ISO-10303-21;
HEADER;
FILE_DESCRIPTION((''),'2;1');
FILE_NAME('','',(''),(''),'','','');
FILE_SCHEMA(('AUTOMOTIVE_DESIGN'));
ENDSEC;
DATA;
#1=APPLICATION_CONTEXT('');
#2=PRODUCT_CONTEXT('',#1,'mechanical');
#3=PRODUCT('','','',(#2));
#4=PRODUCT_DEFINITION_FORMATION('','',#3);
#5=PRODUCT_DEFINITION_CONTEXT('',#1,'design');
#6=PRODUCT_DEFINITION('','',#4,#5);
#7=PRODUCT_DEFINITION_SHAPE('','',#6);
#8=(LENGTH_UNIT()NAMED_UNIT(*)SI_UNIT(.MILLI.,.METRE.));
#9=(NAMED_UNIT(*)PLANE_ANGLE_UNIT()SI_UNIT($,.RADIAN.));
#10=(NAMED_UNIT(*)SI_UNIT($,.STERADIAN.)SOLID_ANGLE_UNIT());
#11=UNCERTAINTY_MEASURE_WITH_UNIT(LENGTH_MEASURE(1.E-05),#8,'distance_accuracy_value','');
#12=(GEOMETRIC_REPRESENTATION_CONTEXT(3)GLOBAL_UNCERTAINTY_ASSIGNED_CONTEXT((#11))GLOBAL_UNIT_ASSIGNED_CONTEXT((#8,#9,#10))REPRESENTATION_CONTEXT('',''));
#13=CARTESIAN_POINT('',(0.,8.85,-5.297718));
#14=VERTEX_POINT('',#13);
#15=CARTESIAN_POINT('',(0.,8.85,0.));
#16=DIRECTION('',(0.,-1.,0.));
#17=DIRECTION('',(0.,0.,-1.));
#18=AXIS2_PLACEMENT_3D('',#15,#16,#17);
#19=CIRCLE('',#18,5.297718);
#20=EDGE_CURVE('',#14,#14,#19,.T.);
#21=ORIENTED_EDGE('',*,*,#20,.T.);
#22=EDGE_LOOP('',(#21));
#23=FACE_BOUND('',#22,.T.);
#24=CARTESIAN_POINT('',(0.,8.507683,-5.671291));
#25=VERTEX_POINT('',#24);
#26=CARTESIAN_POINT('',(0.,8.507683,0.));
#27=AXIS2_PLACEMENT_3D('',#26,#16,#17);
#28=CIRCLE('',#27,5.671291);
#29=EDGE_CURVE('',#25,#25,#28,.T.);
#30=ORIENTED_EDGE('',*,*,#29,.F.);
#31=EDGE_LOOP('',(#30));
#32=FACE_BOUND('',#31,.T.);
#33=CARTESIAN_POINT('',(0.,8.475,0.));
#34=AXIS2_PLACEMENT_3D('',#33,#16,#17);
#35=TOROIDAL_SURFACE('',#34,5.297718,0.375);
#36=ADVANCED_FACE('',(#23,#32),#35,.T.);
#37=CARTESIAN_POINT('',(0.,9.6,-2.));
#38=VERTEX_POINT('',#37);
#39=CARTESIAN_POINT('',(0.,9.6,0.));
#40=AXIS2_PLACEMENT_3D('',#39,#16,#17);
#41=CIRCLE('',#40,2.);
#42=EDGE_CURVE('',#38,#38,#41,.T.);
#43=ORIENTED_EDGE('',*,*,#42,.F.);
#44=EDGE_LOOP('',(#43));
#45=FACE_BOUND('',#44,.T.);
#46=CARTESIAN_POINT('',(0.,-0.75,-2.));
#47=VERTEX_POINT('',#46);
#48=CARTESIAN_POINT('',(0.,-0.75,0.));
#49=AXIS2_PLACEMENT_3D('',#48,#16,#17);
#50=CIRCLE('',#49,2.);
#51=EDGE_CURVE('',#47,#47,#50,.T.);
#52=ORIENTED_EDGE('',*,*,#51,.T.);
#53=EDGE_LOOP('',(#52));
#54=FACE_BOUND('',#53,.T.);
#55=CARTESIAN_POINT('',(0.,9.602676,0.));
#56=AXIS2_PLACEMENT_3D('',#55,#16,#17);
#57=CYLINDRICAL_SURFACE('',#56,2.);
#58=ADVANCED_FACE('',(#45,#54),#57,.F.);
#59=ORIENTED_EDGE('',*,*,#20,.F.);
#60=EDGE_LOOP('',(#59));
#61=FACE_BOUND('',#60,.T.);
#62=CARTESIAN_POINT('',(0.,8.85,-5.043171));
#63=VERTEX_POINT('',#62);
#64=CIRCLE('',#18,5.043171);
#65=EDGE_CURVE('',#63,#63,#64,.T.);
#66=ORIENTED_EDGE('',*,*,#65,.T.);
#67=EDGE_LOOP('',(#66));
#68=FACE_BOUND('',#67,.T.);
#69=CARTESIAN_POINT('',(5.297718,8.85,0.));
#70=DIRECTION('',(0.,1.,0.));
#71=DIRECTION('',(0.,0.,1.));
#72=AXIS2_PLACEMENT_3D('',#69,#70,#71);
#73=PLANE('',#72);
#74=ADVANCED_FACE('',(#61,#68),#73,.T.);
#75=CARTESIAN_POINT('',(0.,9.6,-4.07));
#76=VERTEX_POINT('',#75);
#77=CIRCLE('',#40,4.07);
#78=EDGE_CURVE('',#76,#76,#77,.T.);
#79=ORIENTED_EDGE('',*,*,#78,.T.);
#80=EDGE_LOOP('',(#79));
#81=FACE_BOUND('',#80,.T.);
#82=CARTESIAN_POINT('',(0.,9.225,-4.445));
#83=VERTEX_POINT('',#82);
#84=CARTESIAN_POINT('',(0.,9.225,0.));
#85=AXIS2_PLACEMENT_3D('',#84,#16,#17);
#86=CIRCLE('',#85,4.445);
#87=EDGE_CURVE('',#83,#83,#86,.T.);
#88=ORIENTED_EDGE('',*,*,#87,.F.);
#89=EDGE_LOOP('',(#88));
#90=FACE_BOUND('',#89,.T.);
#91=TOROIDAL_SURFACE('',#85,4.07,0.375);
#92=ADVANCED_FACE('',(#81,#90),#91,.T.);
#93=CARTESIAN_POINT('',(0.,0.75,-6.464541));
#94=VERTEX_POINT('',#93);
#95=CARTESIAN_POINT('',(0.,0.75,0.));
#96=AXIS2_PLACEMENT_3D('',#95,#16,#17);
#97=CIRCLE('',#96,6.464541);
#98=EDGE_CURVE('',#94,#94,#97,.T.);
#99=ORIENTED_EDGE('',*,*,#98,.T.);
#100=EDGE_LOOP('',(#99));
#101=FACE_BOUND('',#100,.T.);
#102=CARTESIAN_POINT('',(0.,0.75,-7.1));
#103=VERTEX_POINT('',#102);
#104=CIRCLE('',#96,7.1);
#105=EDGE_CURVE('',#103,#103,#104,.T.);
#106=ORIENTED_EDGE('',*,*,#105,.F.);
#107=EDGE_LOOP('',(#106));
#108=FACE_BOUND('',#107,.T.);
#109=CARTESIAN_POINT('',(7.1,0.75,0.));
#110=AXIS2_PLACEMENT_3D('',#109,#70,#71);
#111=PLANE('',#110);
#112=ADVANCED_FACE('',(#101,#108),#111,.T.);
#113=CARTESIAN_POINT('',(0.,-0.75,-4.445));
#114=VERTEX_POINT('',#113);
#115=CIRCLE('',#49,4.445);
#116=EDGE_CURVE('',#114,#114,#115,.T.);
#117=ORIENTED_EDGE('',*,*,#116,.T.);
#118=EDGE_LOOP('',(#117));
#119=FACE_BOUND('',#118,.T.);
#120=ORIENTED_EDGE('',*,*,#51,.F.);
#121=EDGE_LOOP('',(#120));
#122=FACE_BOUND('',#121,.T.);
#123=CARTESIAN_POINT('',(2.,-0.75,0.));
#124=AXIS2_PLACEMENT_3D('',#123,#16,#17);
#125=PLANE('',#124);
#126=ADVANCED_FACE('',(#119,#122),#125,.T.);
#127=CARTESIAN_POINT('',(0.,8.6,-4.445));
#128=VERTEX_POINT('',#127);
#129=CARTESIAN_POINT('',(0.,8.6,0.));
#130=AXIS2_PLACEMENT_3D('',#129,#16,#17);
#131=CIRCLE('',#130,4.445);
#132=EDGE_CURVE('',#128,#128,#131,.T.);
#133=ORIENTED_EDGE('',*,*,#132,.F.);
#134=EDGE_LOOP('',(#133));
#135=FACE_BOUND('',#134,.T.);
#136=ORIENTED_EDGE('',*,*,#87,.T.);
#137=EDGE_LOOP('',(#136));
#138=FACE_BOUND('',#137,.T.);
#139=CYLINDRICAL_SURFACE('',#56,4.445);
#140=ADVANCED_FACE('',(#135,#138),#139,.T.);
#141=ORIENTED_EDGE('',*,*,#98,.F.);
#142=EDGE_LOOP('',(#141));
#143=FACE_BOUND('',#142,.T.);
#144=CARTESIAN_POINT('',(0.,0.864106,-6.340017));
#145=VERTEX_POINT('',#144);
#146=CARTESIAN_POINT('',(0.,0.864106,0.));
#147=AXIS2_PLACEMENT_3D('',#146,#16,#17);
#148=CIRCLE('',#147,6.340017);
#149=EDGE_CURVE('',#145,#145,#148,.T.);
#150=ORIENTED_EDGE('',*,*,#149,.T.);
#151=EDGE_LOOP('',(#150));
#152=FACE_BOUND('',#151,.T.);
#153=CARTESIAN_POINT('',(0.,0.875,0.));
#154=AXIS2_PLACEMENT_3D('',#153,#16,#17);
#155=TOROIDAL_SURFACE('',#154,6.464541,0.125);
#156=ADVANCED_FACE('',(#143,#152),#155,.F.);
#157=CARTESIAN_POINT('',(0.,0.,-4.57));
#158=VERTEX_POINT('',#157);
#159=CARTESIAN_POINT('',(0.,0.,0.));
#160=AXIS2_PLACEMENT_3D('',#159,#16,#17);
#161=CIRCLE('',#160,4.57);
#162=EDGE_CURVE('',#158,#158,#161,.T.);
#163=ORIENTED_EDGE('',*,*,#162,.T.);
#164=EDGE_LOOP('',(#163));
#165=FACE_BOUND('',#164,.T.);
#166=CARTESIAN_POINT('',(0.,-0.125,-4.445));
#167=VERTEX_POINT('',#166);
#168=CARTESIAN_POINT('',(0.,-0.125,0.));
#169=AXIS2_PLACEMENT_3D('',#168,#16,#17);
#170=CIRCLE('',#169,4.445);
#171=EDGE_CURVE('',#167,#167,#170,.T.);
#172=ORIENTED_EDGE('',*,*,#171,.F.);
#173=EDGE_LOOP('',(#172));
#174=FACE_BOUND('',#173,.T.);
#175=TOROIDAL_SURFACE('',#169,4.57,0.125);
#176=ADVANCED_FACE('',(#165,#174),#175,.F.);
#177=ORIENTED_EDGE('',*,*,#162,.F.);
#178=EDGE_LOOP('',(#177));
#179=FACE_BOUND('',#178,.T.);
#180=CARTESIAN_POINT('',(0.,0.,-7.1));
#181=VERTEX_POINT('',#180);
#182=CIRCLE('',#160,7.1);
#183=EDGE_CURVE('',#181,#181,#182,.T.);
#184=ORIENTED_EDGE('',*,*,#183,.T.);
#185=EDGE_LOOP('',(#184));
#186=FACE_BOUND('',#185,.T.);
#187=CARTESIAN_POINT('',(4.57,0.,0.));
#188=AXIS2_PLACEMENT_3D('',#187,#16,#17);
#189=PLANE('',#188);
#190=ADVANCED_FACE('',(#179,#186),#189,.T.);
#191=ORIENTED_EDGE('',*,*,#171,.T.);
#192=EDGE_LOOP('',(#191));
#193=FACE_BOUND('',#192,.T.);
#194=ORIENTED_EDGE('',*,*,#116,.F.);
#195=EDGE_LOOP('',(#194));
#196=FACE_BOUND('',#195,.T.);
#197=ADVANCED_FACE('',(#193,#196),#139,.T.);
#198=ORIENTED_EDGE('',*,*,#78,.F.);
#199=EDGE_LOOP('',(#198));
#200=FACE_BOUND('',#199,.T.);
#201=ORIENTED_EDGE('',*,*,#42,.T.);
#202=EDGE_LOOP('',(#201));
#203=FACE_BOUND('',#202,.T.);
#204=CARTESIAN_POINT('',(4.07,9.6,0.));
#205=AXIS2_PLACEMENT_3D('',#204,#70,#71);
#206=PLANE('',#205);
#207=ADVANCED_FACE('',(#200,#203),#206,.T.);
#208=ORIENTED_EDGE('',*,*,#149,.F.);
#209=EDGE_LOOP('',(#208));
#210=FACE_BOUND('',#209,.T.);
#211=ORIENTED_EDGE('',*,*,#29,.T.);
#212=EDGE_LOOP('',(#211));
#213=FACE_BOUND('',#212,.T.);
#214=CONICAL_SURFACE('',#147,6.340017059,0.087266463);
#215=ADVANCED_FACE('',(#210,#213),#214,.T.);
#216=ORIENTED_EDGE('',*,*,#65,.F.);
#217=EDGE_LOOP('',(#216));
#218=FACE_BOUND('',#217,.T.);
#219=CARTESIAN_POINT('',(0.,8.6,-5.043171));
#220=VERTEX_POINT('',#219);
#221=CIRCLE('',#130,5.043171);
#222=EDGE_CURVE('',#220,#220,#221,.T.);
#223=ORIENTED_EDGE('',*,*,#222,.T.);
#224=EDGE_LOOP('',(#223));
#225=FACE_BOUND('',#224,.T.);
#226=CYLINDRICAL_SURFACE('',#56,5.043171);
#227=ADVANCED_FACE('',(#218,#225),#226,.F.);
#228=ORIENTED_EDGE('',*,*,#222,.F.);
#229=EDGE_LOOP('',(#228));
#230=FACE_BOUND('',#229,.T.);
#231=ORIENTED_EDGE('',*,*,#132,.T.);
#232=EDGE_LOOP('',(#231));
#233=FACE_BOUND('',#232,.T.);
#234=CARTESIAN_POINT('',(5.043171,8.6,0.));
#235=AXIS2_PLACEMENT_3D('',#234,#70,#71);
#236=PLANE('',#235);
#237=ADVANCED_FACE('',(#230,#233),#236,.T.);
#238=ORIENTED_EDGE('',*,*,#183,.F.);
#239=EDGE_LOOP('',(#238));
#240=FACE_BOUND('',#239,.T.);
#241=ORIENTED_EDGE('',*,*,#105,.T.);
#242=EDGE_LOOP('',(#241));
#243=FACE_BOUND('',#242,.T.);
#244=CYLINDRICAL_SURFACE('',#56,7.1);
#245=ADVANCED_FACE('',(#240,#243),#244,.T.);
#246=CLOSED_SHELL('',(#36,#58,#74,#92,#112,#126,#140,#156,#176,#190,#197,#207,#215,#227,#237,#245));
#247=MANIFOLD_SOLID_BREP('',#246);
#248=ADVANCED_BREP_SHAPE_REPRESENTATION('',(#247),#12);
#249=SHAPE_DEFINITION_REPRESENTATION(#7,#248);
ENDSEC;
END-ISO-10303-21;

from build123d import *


with BuildPart() as part:
    # Sketch1 → Revolve1 (revolve)
    with BuildSketch(Plane.XY):
        with BuildLine():
            Line((4.07, 9.6), (2, 9.6))
            Line((2, 9.6), (2, -0.75))
            Line((2, -0.75), (4.445, -0.75))
            Line((4.445, -0.75), (4.445, -0.125))
            ThreePointArc((4.445, -0.125), (4.481611652, -0.036611652), (4.57, 0))
            Line((4.57, 0), (7.1, 0))
            Line((7.1, 0), (7.1, 0.75))
            Line((7.1, 0.75), (6.464541397, 0.75))
            ThreePointArc((6.464541397, 0.75), (6.380092621, 0.782840333), (6.340017059, 0.864105532))
            Line((6.340017059, 0.864105532), (5.671290647, 8.507683404))
            ThreePointArc((5.671290647, 8.507683404), (5.551063963, 8.751479001), (5.297717635, 8.85))
            Line((5.297717635, 8.85), (5.043170913, 8.85))
            Line((5.043170913, 8.85), (5.043170913, 8.6))
            Line((5.043170913, 8.6), (4.445, 8.6))
            Line((4.445, 8.6), (4.445, 9.225))
            ThreePointArc((4.445, 9.225), (4.335165043, 9.490165043), (4.07, 9.6))
        make_face()
    revolve(axis=Axis((0, 9.60267581, 0), (0, -1, 0)))


solid = part.part
